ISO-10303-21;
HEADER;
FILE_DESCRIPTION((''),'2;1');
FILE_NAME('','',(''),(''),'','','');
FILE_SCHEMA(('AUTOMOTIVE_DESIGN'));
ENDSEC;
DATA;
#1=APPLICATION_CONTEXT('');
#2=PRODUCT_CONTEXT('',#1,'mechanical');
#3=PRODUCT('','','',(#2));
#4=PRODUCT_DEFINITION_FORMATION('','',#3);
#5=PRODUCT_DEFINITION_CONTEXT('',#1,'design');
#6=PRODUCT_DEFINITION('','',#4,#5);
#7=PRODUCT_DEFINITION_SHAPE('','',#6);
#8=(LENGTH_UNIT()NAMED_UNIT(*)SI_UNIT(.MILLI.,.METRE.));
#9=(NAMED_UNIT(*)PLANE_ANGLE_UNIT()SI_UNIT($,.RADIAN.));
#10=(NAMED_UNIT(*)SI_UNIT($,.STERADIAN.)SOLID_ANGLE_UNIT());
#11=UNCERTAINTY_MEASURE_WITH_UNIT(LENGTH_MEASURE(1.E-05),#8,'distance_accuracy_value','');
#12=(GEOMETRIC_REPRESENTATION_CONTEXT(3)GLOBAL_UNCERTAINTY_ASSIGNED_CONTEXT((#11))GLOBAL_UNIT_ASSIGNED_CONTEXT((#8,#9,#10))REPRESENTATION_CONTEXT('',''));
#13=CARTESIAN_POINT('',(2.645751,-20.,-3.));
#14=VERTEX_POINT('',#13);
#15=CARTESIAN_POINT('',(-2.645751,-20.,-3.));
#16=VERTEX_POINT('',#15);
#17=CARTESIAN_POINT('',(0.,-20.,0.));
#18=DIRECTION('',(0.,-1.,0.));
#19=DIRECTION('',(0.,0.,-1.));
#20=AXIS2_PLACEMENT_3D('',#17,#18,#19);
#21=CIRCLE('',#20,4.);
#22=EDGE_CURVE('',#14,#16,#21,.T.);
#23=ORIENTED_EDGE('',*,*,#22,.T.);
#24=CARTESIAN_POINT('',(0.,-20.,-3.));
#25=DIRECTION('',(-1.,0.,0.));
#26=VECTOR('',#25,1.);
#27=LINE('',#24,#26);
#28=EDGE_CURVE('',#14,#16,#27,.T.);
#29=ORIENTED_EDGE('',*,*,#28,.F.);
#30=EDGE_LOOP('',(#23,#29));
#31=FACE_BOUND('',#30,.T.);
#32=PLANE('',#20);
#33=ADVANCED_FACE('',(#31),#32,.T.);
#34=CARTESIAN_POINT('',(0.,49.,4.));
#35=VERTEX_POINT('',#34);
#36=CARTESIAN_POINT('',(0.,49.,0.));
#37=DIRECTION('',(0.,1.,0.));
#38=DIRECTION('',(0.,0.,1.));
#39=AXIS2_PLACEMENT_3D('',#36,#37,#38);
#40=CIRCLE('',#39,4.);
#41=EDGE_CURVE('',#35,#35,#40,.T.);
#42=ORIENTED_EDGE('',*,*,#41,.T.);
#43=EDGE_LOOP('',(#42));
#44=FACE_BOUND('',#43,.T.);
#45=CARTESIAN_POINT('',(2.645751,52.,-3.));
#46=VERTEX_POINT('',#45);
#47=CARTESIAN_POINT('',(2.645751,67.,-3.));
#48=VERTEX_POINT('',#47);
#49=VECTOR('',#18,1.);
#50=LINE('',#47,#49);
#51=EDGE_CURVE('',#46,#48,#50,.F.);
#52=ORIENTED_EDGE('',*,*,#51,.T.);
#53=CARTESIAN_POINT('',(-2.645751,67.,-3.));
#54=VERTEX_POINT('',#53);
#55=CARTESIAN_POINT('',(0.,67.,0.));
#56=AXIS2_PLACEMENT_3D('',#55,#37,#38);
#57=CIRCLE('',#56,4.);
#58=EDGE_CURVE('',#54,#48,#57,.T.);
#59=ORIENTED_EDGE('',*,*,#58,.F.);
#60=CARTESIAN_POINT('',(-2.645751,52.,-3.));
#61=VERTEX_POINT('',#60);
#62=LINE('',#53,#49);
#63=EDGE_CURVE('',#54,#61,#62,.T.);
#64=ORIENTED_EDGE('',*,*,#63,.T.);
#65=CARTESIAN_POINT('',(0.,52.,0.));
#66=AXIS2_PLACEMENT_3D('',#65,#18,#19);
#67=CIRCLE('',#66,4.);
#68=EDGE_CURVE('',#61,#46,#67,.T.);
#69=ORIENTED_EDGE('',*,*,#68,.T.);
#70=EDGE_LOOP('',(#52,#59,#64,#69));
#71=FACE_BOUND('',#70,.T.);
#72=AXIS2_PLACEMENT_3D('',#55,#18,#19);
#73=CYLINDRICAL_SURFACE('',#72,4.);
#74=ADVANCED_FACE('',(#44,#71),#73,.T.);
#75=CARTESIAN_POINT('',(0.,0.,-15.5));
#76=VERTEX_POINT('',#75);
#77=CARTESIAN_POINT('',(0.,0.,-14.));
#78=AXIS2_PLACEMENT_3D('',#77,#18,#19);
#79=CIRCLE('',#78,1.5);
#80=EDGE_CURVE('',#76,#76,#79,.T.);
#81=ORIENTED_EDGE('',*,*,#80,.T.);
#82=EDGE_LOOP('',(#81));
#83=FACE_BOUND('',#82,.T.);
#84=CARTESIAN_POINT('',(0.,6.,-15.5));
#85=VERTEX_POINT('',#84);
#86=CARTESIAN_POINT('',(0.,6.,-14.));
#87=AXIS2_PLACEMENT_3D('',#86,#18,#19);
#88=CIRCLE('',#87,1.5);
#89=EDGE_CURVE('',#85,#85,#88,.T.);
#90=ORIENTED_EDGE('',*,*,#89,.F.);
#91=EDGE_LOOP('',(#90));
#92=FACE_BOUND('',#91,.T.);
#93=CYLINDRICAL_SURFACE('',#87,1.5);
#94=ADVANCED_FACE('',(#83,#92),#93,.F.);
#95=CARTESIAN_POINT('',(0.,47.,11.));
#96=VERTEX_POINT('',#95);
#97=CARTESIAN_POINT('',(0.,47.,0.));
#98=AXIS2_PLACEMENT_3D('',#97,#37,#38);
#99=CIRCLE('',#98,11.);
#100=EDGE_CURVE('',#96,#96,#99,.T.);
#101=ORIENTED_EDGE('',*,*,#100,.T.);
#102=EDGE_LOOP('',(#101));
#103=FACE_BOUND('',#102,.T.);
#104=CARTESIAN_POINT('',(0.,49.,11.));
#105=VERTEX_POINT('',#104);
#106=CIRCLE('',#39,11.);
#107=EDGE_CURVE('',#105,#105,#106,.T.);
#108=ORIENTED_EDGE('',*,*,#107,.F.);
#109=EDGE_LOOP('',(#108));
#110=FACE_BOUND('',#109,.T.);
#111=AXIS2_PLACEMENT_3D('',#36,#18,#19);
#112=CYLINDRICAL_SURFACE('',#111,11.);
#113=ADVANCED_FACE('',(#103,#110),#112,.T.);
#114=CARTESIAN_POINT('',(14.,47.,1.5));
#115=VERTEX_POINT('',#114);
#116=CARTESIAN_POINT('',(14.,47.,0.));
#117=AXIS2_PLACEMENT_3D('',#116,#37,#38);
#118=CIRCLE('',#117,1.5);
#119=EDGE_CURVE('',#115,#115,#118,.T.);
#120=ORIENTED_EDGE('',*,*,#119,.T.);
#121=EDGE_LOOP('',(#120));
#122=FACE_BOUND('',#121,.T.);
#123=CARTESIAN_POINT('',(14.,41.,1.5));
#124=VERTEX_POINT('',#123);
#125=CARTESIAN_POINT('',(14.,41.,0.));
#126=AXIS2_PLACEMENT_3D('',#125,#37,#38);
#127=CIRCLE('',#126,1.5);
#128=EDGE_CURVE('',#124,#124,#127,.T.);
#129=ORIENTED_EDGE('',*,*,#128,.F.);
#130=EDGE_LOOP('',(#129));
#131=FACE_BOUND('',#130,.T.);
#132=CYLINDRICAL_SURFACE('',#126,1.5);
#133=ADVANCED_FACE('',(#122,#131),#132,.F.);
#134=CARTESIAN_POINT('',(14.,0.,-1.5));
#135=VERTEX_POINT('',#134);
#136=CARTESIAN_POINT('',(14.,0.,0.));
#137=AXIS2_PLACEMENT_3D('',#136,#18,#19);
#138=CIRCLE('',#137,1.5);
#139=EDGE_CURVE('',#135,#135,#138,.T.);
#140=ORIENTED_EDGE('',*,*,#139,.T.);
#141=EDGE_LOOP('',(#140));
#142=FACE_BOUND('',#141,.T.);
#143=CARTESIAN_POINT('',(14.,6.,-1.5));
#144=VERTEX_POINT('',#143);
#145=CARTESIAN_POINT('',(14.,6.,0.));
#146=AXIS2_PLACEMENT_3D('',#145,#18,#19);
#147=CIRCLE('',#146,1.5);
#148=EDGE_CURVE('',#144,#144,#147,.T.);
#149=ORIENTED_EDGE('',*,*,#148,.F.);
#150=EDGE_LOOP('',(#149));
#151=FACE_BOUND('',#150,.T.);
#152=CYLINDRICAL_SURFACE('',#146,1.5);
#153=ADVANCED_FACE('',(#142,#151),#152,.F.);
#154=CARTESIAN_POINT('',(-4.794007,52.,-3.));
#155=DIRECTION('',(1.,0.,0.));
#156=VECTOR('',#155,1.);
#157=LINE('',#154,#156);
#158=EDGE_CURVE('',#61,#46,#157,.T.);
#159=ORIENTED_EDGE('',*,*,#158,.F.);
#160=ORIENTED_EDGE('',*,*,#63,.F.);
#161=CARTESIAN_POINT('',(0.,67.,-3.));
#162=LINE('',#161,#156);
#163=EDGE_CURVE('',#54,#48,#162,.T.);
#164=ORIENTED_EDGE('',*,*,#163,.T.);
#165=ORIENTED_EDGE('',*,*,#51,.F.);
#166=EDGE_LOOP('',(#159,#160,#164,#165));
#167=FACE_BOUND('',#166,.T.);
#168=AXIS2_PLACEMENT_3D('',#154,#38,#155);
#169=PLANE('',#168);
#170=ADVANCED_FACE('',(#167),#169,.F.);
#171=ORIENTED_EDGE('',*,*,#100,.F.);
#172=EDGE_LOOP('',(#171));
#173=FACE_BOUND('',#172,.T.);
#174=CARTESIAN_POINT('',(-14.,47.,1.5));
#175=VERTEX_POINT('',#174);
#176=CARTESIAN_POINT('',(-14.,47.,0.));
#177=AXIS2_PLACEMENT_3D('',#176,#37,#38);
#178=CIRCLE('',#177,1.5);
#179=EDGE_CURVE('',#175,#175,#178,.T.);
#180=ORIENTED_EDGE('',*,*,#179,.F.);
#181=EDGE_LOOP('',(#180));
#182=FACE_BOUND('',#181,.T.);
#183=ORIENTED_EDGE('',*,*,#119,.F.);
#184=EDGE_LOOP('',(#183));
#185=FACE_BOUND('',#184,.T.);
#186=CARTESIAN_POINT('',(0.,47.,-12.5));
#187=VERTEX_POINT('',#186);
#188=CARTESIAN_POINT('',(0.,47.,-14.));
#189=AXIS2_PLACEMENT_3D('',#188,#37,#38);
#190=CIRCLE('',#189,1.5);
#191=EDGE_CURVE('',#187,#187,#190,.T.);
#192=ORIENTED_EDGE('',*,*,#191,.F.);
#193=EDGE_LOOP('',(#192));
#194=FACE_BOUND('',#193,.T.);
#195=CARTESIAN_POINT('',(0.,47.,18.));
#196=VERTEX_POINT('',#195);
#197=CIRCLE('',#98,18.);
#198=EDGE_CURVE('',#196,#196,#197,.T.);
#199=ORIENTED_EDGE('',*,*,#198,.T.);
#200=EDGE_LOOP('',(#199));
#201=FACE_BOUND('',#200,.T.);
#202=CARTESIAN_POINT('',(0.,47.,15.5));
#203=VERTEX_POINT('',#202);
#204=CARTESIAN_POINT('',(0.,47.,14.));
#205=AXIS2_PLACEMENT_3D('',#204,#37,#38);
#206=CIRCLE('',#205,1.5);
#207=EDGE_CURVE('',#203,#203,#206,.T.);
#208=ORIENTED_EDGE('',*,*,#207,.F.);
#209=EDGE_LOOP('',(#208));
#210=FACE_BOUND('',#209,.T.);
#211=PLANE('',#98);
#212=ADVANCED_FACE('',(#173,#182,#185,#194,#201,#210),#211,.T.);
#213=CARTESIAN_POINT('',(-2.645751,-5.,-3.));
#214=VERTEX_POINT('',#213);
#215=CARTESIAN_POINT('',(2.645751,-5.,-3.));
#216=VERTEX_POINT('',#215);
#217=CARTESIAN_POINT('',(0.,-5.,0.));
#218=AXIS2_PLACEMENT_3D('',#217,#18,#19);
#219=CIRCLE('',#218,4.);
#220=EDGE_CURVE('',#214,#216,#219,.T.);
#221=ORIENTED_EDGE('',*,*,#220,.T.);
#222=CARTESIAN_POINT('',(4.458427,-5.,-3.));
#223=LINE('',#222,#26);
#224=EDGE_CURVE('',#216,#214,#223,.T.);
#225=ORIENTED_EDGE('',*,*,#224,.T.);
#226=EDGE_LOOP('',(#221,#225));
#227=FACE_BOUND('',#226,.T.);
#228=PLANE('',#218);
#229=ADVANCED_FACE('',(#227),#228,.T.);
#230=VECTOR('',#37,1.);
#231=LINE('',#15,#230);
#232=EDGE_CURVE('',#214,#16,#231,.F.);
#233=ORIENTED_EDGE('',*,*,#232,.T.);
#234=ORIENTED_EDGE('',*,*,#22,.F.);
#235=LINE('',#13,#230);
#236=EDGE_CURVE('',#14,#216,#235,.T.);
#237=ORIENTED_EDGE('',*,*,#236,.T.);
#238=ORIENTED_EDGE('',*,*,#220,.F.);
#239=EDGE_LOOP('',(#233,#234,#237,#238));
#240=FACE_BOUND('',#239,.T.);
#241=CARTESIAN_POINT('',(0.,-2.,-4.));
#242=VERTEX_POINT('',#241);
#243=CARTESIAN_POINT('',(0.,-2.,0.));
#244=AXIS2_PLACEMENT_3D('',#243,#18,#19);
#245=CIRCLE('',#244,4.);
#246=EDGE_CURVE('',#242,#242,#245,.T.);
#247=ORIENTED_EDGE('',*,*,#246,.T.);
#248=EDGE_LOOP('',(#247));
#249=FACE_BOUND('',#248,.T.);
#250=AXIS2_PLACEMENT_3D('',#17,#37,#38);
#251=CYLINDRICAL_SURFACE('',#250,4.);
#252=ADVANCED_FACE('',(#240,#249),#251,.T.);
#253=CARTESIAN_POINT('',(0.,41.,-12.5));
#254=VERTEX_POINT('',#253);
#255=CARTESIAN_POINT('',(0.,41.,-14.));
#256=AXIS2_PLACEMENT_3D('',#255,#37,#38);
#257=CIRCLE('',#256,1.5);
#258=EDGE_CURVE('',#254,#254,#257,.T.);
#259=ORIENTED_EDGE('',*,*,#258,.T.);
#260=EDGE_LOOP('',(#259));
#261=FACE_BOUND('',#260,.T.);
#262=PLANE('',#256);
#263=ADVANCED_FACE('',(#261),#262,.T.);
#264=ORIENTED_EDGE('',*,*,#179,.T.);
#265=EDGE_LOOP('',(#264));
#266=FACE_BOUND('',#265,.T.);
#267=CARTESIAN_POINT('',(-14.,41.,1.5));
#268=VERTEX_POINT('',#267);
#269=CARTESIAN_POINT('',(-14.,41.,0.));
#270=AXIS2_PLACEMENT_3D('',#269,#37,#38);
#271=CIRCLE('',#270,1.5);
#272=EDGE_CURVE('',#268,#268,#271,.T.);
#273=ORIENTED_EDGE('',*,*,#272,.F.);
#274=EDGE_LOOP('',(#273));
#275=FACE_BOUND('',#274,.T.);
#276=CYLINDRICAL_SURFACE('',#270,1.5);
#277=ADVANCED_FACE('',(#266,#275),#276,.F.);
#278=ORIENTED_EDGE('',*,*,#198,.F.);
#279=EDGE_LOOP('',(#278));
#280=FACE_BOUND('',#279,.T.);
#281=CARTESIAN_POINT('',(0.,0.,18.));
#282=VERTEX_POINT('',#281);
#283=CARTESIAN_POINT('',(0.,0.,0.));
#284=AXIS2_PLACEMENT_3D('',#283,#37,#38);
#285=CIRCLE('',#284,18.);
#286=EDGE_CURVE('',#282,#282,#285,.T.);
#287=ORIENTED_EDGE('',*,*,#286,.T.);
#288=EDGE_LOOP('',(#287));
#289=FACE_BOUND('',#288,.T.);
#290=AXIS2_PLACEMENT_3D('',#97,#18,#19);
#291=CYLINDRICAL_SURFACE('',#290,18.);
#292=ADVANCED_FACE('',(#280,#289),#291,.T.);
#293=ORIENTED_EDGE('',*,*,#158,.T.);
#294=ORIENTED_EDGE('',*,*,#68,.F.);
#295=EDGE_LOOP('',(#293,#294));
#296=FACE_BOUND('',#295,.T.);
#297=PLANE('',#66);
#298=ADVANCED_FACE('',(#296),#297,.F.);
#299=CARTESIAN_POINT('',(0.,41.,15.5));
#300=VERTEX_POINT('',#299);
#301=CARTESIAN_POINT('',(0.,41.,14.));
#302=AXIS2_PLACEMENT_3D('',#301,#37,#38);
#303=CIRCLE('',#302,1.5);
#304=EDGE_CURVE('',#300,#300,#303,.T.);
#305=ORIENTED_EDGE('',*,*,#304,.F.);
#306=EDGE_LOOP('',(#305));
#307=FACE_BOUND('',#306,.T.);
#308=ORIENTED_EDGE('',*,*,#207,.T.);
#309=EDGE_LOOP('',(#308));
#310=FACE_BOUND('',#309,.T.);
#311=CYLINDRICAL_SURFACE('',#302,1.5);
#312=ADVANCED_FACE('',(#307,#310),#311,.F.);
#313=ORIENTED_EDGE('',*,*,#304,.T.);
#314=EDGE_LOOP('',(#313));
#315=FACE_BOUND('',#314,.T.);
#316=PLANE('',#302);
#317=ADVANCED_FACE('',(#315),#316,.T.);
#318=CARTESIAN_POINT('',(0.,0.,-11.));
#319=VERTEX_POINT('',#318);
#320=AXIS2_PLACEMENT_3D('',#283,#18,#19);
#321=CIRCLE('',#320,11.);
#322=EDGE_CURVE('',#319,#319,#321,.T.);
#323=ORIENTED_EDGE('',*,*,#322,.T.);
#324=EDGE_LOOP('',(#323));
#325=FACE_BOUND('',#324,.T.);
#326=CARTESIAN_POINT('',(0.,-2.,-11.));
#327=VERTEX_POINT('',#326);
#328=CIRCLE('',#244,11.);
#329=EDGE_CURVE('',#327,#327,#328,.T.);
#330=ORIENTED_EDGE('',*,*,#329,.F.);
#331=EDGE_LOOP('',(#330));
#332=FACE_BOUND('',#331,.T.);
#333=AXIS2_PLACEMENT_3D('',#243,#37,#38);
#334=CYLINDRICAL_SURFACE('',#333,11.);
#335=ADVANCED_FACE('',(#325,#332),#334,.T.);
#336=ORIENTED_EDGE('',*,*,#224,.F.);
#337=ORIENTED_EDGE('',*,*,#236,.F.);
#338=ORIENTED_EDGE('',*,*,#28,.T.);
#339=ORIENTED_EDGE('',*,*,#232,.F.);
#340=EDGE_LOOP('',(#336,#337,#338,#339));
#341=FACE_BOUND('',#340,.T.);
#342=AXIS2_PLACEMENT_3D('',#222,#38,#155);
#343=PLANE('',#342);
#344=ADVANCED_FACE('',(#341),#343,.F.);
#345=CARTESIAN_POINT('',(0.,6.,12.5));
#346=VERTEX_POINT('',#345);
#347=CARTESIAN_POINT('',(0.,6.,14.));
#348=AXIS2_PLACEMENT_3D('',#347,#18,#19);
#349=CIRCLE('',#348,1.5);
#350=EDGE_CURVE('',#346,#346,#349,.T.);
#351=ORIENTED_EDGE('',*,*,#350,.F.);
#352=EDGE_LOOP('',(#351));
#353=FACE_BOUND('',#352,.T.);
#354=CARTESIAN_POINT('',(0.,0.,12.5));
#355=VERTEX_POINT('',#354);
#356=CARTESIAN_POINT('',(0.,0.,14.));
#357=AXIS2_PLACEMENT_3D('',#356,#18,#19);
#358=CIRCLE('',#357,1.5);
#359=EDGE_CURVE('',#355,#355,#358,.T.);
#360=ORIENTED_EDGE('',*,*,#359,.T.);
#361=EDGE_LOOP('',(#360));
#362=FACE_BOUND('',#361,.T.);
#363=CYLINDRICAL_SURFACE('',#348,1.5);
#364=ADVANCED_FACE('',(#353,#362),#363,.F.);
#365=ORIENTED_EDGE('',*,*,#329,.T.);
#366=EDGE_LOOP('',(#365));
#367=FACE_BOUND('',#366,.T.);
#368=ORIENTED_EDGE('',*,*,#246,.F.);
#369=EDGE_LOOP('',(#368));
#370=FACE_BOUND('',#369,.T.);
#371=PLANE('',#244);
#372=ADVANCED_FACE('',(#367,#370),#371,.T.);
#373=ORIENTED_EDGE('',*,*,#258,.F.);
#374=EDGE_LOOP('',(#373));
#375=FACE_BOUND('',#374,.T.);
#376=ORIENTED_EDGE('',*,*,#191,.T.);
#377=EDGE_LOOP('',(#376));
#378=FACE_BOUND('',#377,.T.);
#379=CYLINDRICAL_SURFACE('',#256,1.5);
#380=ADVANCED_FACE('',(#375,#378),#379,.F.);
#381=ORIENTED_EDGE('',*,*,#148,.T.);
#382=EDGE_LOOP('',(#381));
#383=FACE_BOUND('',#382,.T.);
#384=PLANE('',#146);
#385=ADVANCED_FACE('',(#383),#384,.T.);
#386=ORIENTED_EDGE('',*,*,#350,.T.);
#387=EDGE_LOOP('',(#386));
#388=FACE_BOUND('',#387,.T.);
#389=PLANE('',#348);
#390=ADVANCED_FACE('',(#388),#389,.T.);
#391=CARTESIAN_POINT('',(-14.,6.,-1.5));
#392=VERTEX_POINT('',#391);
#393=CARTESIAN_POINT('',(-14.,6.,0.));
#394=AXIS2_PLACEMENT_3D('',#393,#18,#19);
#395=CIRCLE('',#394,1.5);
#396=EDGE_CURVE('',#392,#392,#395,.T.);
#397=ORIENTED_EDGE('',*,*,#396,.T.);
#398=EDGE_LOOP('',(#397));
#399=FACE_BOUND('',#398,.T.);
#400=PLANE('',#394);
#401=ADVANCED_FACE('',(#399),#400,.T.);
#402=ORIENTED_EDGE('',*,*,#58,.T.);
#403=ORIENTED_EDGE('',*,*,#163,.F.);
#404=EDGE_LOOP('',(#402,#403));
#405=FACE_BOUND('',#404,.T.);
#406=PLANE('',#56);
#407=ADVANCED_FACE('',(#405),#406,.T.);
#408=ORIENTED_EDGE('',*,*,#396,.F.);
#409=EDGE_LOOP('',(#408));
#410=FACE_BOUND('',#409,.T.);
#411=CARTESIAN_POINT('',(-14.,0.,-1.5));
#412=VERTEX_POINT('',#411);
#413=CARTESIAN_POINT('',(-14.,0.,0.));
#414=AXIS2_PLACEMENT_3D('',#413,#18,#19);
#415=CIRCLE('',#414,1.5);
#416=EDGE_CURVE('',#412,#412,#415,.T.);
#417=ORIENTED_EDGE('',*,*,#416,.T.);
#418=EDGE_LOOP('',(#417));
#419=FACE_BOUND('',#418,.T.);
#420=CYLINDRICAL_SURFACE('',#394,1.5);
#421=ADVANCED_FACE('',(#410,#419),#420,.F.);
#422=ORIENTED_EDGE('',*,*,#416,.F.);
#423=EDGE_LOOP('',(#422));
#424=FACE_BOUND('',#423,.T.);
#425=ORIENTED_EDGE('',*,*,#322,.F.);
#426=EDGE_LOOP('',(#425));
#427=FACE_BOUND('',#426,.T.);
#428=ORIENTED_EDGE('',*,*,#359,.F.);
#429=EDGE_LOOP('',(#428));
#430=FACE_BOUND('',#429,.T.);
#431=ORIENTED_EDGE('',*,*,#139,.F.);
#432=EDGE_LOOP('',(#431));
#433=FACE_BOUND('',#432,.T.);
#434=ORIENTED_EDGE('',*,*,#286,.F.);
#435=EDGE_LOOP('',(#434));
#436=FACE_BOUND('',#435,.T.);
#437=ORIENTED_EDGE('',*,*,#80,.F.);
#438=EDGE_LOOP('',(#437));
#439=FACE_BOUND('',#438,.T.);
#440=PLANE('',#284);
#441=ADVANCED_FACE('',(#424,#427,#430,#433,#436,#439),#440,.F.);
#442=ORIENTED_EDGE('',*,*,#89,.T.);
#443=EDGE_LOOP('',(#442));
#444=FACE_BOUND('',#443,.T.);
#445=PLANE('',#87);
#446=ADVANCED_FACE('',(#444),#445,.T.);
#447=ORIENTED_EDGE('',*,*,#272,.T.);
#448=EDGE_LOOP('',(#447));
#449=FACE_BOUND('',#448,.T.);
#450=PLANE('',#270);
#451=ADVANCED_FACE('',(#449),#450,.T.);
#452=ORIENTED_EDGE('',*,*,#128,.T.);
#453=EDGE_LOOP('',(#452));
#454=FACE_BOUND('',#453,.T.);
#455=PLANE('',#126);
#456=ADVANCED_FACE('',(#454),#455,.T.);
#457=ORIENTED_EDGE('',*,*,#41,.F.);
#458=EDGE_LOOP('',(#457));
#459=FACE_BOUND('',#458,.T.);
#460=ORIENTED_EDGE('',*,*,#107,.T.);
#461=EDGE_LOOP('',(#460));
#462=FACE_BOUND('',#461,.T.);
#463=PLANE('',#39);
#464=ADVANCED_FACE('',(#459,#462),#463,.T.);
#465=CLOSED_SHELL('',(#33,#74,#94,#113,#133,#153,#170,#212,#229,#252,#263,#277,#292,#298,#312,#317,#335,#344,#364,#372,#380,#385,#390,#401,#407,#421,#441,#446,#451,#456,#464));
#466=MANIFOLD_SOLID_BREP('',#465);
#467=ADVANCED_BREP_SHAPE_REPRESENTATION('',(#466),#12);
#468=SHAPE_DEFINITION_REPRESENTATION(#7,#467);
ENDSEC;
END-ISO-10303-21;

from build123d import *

# Parameters (mm, degrees)
SKETCH_1_R          = 18
EXTRUDE_1_DEPTH     = 47
SKETCH_2_R          = 11
EXTRUDE_2_DEPTH     = 2
EXTRUDE_START       = 2
SKETCH_3_R          = 11
EXTRUDE_3_DEPTH     = 2
SKETCH_4_R          = 4
EXTRUDE_4_DEPTH     = 18
EXTRUDE_START_2     = 18
SKETCH_5_R          = 4
EXTRUDE_5_DEPTH     = 18
SKETCH_6_W          = 9.252434457
SKETCH_6_H          = 4.602247191
CUT_EXTRUDE_1_DEPTH = 15
SKETCH_7_W          = 9.252434457
SKETCH_7_H          = 4.602247191
CUT_EXTRUDE_2_DEPTH = 15
SKETCH_8_R          = 1.5
CUT_EXTRUDE_3_DEPTH = 6
CUT_EXTRUDE_START   = -6
SKETCH_9_R          = 1.5
CUT_EXTRUDE_4_DEPTH = 6


with BuildPart() as part:
    # 草图1 → 凸台-拉伸1 (new body)
    with BuildSketch(Plane(origin=(0, 0, 0), x_dir=(1, 0, 0), z_dir=(0, 1, 0))):
        with Locations(Location((0, 0, 0), (0, 0, 270))):
            Circle(SKETCH_1_R)
    extrude(amount=EXTRUDE_1_DEPTH)

    # 草图2 → 凸台-拉伸2 (add)
    with BuildSketch(Plane(origin=(0, 47, 0), x_dir=(1, 0, 0), z_dir=(0, 1, 0))):
        with Locations(Location((0, 0, 0), (0, 0, 270))):
            Circle(SKETCH_2_R)
    extrude(amount=EXTRUDE_2_DEPTH)

    # 草图3 → 凸台-拉伸3 (add)
    with BuildSketch(Plane.XZ.offset(EXTRUDE_START)):
        with Locations(Location((0, 0, 0), (0, 0, 90))):
            Circle(SKETCH_3_R)
    extrude(amount=-EXTRUDE_3_DEPTH)

    # 草图4 → 凸台-拉伸4 (add)
    with BuildSketch(Plane.XZ.offset(2)):
        with Locations(Location((0, 0, 0), (0, 0, 270))):
            Circle(SKETCH_4_R)
    extrude(amount=EXTRUDE_4_DEPTH)

    # 草图5 → 凸台-拉伸5 (add)
    with BuildSketch(Plane(origin=(0, 49, 0), x_dir=(1, 0, 0), z_dir=(0, 1, 0)).offset(EXTRUDE_START_2)):
        with Locations(Location((0, 0, 0), (0, 0, 90))):
            Circle(SKETCH_5_R)
    extrude(amount=-EXTRUDE_5_DEPTH)

    # 草图6 → 切除-拉伸1 (cut)
    with BuildSketch(Plane(origin=(0, 67, 0), x_dir=(1, 0, 0), z_dir=(0, 1, 0))):
        with Locations((-0.167790263, 5.301123596)):
            Rectangle(SKETCH_6_W, SKETCH_6_H)
    extrude(amount=-CUT_EXTRUDE_1_DEPTH, mode=Mode.SUBTRACT)

    # 草图7 → 切除-拉伸2 (cut)
    with BuildSketch(Plane.XZ.offset(20)):
        with Locations((-0.167790263, -5.301123596)):
            Rectangle(SKETCH_7_W, SKETCH_7_H)
    extrude(amount=-CUT_EXTRUDE_2_DEPTH, mode=Mode.SUBTRACT)

    # 草图8 → 切除-拉伸3 (cut)
    with BuildSketch(Plane.XZ):
        with Locations(Location((0, 14, 0), (0, 0, 270))):
            Circle(SKETCH_8_R)
        with Locations(Location((14, 0, 0), (0, 0, 270))):
            Circle(SKETCH_8_R)
        with Locations(Location((0, -14, 0), (0, 0, 270))):
            Circle(SKETCH_8_R)
        with Locations(Location((-14, 0, 0), (0, 0, 270))):
            Circle(SKETCH_8_R)
    extrude(amount=-CUT_EXTRUDE_3_DEPTH, mode=Mode.SUBTRACT)

    # 草图9 → 切除-拉伸4 (cut)
    with BuildSketch(Plane(origin=(0, 47, 0), x_dir=(1, 0, 0), z_dir=(0, 1, 0)).offset(CUT_EXTRUDE_START)):
        with Locations(Location((-14, 0, 0), (0, 0, 90))):
            Circle(SKETCH_9_R)
        with Locations(Location((0, 14, 0), (0, 0, 90))):
            Circle(SKETCH_9_R)
        with Locations(Location((14, 0, 0), (0, 0, 90))):
            Circle(SKETCH_9_R)
        with Locations(Location((0, -14, 0), (0, 0, 90))):
            Circle(SKETCH_9_R)
    extrude(amount=CUT_EXTRUDE_4_DEPTH, mode=Mode.SUBTRACT)


solid = part.part
